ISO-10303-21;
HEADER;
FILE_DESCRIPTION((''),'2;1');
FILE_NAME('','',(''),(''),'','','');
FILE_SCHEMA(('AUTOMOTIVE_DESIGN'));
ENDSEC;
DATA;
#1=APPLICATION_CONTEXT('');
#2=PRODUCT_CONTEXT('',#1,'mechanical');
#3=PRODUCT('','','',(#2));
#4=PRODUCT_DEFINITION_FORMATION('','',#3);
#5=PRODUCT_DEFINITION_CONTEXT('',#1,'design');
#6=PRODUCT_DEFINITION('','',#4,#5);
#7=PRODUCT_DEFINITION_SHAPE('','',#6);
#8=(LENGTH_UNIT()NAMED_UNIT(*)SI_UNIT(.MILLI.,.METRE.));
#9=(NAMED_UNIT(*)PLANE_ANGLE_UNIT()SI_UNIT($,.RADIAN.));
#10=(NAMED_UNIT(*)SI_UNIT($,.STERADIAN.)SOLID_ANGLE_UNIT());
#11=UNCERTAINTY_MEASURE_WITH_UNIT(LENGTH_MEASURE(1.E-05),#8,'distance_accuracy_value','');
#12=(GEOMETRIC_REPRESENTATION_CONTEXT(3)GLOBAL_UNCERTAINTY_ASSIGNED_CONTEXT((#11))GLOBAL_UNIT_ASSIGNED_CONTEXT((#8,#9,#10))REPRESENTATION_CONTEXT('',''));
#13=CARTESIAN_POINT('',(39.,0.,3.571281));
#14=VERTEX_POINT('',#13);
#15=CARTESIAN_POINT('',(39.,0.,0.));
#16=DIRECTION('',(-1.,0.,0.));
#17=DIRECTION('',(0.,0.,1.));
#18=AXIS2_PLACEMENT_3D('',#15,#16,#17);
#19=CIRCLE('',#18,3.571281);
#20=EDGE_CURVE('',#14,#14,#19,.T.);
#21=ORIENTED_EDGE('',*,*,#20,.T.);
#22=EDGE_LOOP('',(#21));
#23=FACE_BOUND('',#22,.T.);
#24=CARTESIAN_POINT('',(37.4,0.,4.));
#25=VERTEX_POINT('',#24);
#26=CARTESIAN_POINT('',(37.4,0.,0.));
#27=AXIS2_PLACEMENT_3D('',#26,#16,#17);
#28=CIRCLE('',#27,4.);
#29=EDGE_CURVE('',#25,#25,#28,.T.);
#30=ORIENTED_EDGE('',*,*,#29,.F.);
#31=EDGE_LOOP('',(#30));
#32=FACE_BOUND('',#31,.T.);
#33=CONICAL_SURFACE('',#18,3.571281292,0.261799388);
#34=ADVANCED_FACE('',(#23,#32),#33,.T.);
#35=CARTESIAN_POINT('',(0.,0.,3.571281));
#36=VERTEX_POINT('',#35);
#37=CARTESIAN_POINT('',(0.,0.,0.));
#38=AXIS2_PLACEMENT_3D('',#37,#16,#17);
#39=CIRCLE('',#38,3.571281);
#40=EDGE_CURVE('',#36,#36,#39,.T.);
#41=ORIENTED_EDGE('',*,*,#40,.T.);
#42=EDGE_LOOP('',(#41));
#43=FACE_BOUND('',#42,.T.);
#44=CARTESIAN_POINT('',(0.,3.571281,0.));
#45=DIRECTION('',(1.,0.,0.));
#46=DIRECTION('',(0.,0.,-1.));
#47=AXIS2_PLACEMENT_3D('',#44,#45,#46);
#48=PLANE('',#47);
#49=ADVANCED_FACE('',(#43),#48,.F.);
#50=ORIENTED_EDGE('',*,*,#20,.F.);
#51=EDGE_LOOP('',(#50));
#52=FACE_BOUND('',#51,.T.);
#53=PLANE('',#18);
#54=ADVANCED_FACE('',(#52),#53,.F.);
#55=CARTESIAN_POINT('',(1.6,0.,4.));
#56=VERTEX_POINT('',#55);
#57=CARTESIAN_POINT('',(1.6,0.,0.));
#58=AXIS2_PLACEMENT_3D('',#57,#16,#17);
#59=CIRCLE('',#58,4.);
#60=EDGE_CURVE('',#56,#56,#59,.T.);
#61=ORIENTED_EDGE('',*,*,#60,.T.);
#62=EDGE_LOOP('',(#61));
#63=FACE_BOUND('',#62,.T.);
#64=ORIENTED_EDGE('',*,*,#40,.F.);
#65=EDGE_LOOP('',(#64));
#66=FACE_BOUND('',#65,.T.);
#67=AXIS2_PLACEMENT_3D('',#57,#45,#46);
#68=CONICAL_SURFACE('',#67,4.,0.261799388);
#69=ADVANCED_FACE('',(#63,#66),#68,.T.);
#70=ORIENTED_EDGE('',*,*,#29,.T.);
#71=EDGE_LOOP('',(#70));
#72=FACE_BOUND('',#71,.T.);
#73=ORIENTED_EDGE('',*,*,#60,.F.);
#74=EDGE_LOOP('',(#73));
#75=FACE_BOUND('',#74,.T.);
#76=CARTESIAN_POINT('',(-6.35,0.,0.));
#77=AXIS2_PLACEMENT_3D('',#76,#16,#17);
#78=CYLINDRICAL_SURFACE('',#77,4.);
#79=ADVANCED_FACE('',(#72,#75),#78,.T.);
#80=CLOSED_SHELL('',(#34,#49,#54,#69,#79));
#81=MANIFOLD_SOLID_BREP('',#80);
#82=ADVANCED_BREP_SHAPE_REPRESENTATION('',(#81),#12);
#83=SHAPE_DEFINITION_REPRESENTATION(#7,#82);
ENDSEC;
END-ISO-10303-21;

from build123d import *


with BuildPart() as part:
    # Sketch1 → Base-Revolve (revolve)
    with BuildSketch(Plane.XY, mode=Mode.PRIVATE) as base_revolve_sk:
        Polygon((0, 0), (39, 0), (39, 3.571281292), (37.4, 4), (1.6, 4), (0, 3.571281292), align=None)
    revolve(base_revolve_sk.sketch.rotate(Axis((-6.35, 0, 0), (1, 0, 0)), 90), axis=Axis((-6.35, 0, 0), (1, 0, 0)))


solid = part.part
